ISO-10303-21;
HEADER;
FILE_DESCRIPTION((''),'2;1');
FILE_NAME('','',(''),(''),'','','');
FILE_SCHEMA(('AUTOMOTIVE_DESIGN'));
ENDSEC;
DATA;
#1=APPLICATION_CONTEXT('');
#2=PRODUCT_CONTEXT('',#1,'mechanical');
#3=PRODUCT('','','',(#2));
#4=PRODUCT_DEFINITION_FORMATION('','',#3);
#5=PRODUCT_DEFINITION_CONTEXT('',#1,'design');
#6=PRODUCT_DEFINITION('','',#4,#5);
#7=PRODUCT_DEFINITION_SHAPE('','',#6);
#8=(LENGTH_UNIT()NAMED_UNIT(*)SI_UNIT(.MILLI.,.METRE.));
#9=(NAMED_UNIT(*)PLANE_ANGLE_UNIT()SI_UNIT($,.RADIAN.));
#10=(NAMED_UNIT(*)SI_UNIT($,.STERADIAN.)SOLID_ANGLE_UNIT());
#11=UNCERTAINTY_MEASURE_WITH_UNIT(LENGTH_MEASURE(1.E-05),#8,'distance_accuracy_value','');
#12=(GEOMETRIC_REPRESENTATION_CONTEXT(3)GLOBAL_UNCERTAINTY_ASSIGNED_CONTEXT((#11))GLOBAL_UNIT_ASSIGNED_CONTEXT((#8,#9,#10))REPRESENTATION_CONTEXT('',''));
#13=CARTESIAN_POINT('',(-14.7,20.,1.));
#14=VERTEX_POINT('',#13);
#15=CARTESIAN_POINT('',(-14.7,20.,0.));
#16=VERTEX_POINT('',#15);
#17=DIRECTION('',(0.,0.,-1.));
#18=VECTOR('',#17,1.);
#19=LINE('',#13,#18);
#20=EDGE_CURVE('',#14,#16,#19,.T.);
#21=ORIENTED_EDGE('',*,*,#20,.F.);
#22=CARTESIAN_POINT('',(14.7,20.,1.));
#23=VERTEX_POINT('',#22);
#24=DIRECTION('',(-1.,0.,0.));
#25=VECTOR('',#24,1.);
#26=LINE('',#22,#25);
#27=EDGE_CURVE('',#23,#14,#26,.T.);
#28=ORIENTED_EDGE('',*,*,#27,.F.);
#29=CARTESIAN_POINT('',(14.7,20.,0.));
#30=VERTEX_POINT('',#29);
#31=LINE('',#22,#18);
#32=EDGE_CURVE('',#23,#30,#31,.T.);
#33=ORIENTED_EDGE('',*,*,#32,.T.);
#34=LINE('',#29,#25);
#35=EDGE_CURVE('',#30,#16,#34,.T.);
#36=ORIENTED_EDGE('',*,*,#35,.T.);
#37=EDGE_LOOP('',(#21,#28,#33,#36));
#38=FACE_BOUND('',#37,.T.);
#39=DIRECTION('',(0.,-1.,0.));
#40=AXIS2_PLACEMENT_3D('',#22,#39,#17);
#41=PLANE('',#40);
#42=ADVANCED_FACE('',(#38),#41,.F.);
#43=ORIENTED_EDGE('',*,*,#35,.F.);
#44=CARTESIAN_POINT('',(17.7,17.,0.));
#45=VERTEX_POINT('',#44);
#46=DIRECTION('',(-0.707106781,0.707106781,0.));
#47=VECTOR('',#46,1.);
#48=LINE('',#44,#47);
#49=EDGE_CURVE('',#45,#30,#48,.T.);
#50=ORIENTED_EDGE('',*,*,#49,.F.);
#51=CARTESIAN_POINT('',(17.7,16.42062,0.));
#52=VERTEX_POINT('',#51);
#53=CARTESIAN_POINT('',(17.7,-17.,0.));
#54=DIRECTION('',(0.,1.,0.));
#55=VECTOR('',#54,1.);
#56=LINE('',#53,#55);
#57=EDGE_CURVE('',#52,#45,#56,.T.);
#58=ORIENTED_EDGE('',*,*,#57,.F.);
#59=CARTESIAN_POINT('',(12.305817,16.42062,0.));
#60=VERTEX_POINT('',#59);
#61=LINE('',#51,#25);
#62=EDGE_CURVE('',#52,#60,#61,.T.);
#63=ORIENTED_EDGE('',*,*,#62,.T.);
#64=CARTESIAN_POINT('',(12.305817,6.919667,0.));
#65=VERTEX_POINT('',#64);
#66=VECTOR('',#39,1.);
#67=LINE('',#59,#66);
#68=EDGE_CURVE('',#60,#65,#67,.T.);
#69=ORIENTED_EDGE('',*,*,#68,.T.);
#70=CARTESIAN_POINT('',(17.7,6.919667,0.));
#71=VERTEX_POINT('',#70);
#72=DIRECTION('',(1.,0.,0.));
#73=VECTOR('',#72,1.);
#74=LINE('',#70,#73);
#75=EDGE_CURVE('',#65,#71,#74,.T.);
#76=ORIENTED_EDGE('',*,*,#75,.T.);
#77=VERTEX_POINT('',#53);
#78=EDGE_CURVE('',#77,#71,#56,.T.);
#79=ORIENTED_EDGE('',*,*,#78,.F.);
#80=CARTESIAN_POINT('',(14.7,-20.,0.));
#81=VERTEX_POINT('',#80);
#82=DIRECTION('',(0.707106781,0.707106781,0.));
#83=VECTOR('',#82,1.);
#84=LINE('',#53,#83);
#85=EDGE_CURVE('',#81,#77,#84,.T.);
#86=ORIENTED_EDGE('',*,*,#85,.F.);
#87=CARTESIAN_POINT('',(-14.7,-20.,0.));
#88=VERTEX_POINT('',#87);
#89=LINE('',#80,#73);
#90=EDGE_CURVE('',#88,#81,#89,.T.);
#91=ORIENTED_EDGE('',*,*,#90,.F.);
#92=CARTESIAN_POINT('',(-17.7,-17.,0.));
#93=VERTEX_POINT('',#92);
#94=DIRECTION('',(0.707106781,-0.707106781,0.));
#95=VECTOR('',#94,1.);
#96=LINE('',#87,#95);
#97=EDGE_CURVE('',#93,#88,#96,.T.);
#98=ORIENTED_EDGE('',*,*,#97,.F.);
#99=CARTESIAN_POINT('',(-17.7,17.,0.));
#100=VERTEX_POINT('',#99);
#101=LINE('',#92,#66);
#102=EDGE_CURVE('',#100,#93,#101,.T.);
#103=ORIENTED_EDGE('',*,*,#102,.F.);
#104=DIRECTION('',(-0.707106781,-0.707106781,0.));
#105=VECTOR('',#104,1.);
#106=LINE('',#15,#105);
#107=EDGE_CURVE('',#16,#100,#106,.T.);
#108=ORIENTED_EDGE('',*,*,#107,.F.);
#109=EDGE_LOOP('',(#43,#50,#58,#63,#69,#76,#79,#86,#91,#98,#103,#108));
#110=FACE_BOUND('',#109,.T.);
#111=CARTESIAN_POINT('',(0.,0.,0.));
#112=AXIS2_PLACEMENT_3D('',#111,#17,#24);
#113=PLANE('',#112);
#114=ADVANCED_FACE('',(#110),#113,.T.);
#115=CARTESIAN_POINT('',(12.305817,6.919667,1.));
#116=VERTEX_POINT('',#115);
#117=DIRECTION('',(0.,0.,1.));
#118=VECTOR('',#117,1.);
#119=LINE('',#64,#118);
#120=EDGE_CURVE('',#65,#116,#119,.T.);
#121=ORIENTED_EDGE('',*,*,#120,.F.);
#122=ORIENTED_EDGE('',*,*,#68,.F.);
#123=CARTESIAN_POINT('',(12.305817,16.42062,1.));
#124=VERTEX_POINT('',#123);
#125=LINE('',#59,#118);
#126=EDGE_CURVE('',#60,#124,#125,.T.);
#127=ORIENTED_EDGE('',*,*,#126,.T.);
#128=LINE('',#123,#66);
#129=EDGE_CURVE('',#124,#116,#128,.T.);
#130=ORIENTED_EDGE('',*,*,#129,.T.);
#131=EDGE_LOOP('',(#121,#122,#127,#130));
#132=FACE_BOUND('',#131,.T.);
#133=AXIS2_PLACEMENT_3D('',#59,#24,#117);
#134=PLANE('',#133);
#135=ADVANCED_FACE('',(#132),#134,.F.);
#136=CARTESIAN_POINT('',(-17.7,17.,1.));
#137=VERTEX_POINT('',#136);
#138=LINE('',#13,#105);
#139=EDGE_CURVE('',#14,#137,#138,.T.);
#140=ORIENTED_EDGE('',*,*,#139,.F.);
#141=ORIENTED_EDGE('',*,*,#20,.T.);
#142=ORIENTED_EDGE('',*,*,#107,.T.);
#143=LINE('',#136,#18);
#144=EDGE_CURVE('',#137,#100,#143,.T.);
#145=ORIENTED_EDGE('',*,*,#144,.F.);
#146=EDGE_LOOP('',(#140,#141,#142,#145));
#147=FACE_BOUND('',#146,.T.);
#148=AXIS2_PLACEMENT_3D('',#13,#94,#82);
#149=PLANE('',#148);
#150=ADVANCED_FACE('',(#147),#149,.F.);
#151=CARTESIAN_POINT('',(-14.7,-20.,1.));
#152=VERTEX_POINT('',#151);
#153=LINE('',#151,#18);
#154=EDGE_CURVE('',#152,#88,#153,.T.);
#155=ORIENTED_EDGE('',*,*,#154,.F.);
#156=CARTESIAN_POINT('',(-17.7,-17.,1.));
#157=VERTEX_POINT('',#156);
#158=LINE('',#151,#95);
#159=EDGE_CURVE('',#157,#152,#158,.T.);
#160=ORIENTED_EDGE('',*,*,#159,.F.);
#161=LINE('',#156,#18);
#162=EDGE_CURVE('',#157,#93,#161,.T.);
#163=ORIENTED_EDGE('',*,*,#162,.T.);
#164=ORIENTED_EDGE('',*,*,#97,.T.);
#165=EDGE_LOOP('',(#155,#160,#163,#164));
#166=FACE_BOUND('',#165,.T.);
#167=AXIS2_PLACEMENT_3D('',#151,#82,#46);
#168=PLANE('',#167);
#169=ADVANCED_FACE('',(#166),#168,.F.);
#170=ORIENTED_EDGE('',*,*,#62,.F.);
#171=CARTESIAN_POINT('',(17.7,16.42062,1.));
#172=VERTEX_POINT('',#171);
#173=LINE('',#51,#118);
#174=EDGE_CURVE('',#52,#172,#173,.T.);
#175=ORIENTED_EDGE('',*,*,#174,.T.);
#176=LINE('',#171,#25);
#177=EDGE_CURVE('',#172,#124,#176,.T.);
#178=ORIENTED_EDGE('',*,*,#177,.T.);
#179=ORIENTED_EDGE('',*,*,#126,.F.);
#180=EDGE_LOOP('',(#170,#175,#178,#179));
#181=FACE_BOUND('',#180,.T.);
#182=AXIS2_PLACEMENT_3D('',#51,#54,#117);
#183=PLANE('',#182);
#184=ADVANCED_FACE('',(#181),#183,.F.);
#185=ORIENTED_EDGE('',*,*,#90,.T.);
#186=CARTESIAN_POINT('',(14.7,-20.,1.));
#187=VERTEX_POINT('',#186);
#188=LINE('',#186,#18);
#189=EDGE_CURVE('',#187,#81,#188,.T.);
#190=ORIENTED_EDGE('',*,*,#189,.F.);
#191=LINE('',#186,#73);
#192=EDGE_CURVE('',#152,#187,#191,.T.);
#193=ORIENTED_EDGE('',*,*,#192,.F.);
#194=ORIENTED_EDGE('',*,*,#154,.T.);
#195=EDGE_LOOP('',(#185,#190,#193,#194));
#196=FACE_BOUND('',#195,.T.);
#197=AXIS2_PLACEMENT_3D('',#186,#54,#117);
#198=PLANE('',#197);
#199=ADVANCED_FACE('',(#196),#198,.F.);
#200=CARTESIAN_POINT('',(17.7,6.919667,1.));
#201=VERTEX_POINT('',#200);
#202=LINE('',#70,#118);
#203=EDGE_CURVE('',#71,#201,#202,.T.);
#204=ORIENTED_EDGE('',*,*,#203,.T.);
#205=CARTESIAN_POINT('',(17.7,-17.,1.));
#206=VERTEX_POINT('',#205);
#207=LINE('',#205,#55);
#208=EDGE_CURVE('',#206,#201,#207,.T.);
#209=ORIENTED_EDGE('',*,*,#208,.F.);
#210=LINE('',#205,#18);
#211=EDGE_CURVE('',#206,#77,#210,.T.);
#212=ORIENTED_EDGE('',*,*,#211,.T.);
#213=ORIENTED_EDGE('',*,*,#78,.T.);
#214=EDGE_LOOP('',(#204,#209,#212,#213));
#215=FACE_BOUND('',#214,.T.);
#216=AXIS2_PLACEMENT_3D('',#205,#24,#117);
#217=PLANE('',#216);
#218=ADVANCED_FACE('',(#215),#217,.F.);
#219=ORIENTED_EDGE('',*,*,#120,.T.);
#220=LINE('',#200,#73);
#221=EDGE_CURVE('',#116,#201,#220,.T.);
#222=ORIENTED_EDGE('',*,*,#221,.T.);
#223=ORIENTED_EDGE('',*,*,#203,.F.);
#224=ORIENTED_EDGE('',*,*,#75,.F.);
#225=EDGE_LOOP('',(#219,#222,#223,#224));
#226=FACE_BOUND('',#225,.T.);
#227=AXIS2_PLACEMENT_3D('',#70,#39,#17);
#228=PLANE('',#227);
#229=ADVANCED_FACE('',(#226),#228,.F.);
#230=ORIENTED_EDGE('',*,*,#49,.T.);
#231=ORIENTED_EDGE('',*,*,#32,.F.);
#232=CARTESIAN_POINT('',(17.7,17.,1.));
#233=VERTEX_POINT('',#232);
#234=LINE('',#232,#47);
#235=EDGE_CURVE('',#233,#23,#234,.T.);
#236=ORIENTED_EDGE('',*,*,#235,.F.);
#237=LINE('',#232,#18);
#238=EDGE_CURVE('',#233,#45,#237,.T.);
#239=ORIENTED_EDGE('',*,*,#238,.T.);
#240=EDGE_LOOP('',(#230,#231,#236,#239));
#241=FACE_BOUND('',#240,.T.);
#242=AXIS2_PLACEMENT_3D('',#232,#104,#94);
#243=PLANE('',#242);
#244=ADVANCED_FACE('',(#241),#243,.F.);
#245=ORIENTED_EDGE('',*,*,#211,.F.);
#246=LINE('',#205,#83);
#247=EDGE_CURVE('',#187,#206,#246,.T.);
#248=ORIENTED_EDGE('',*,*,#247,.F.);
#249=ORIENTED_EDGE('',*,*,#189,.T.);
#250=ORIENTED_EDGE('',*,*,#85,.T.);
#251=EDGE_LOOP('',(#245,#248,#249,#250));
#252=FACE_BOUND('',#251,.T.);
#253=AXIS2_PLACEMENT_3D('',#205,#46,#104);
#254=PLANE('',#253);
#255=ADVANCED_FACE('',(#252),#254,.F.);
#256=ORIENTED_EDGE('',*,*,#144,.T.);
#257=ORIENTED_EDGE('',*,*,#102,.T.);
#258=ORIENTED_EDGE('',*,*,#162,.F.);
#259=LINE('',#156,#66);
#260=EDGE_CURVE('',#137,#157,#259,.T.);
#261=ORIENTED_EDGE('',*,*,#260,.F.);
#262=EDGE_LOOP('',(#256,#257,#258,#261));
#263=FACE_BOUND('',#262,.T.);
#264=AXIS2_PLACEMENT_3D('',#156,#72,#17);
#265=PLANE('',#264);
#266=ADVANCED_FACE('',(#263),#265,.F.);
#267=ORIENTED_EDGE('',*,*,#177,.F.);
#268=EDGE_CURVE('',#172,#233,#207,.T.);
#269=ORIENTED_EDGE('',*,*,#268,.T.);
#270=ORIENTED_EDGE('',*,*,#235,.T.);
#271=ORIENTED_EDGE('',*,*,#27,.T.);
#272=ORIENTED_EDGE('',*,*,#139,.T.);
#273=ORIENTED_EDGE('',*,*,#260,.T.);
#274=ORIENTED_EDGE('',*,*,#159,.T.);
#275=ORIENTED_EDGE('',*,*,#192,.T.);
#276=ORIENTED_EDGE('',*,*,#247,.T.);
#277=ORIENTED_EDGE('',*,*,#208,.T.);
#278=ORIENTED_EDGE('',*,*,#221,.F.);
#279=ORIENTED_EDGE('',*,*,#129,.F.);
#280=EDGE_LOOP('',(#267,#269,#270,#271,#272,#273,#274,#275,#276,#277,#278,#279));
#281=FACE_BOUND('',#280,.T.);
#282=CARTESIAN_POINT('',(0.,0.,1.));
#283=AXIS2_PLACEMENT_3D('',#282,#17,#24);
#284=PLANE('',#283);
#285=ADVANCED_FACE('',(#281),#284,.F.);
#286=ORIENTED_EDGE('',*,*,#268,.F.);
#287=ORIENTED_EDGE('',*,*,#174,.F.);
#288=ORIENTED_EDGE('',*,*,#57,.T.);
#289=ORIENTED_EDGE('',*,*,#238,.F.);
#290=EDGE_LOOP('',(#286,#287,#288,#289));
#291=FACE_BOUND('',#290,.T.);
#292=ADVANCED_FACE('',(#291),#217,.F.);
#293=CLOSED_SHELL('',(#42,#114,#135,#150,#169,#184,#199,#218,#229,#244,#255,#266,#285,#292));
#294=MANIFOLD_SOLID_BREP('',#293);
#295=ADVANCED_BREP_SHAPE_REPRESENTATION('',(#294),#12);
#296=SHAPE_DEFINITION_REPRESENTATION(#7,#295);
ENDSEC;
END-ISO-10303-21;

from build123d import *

# Parameters (mm, degrees)
EXTRUDE_1_DEPTH     = 1
SKETCH_2_W          = 5.394183388
SKETCH_2_H          = 9.500952502
CUT_EXTRUDE_1_DEPTH = 2


with BuildPart() as part:
    # 草图1 → 凸台-拉伸1 (new body)
    with BuildSketch(Plane.XY):
        Polygon((14.7, -20), (-14.7, -20), (-17.7, -17), (-17.7, 17), (-14.7, 20), (14.7, 20), (17.7, 17), (17.7, -17), align=None)
    extrude(amount=EXTRUDE_1_DEPTH)

    # 草图2 → 切除-拉伸1 (cut, through all)
    with BuildSketch(Plane.XY.offset(1)):
        with Locations((15.002908306, 11.67014351)):
            Rectangle(SKETCH_2_W, SKETCH_2_H)
    extrude(amount=-CUT_EXTRUDE_1_DEPTH, mode=Mode.SUBTRACT)


solid = part.part
